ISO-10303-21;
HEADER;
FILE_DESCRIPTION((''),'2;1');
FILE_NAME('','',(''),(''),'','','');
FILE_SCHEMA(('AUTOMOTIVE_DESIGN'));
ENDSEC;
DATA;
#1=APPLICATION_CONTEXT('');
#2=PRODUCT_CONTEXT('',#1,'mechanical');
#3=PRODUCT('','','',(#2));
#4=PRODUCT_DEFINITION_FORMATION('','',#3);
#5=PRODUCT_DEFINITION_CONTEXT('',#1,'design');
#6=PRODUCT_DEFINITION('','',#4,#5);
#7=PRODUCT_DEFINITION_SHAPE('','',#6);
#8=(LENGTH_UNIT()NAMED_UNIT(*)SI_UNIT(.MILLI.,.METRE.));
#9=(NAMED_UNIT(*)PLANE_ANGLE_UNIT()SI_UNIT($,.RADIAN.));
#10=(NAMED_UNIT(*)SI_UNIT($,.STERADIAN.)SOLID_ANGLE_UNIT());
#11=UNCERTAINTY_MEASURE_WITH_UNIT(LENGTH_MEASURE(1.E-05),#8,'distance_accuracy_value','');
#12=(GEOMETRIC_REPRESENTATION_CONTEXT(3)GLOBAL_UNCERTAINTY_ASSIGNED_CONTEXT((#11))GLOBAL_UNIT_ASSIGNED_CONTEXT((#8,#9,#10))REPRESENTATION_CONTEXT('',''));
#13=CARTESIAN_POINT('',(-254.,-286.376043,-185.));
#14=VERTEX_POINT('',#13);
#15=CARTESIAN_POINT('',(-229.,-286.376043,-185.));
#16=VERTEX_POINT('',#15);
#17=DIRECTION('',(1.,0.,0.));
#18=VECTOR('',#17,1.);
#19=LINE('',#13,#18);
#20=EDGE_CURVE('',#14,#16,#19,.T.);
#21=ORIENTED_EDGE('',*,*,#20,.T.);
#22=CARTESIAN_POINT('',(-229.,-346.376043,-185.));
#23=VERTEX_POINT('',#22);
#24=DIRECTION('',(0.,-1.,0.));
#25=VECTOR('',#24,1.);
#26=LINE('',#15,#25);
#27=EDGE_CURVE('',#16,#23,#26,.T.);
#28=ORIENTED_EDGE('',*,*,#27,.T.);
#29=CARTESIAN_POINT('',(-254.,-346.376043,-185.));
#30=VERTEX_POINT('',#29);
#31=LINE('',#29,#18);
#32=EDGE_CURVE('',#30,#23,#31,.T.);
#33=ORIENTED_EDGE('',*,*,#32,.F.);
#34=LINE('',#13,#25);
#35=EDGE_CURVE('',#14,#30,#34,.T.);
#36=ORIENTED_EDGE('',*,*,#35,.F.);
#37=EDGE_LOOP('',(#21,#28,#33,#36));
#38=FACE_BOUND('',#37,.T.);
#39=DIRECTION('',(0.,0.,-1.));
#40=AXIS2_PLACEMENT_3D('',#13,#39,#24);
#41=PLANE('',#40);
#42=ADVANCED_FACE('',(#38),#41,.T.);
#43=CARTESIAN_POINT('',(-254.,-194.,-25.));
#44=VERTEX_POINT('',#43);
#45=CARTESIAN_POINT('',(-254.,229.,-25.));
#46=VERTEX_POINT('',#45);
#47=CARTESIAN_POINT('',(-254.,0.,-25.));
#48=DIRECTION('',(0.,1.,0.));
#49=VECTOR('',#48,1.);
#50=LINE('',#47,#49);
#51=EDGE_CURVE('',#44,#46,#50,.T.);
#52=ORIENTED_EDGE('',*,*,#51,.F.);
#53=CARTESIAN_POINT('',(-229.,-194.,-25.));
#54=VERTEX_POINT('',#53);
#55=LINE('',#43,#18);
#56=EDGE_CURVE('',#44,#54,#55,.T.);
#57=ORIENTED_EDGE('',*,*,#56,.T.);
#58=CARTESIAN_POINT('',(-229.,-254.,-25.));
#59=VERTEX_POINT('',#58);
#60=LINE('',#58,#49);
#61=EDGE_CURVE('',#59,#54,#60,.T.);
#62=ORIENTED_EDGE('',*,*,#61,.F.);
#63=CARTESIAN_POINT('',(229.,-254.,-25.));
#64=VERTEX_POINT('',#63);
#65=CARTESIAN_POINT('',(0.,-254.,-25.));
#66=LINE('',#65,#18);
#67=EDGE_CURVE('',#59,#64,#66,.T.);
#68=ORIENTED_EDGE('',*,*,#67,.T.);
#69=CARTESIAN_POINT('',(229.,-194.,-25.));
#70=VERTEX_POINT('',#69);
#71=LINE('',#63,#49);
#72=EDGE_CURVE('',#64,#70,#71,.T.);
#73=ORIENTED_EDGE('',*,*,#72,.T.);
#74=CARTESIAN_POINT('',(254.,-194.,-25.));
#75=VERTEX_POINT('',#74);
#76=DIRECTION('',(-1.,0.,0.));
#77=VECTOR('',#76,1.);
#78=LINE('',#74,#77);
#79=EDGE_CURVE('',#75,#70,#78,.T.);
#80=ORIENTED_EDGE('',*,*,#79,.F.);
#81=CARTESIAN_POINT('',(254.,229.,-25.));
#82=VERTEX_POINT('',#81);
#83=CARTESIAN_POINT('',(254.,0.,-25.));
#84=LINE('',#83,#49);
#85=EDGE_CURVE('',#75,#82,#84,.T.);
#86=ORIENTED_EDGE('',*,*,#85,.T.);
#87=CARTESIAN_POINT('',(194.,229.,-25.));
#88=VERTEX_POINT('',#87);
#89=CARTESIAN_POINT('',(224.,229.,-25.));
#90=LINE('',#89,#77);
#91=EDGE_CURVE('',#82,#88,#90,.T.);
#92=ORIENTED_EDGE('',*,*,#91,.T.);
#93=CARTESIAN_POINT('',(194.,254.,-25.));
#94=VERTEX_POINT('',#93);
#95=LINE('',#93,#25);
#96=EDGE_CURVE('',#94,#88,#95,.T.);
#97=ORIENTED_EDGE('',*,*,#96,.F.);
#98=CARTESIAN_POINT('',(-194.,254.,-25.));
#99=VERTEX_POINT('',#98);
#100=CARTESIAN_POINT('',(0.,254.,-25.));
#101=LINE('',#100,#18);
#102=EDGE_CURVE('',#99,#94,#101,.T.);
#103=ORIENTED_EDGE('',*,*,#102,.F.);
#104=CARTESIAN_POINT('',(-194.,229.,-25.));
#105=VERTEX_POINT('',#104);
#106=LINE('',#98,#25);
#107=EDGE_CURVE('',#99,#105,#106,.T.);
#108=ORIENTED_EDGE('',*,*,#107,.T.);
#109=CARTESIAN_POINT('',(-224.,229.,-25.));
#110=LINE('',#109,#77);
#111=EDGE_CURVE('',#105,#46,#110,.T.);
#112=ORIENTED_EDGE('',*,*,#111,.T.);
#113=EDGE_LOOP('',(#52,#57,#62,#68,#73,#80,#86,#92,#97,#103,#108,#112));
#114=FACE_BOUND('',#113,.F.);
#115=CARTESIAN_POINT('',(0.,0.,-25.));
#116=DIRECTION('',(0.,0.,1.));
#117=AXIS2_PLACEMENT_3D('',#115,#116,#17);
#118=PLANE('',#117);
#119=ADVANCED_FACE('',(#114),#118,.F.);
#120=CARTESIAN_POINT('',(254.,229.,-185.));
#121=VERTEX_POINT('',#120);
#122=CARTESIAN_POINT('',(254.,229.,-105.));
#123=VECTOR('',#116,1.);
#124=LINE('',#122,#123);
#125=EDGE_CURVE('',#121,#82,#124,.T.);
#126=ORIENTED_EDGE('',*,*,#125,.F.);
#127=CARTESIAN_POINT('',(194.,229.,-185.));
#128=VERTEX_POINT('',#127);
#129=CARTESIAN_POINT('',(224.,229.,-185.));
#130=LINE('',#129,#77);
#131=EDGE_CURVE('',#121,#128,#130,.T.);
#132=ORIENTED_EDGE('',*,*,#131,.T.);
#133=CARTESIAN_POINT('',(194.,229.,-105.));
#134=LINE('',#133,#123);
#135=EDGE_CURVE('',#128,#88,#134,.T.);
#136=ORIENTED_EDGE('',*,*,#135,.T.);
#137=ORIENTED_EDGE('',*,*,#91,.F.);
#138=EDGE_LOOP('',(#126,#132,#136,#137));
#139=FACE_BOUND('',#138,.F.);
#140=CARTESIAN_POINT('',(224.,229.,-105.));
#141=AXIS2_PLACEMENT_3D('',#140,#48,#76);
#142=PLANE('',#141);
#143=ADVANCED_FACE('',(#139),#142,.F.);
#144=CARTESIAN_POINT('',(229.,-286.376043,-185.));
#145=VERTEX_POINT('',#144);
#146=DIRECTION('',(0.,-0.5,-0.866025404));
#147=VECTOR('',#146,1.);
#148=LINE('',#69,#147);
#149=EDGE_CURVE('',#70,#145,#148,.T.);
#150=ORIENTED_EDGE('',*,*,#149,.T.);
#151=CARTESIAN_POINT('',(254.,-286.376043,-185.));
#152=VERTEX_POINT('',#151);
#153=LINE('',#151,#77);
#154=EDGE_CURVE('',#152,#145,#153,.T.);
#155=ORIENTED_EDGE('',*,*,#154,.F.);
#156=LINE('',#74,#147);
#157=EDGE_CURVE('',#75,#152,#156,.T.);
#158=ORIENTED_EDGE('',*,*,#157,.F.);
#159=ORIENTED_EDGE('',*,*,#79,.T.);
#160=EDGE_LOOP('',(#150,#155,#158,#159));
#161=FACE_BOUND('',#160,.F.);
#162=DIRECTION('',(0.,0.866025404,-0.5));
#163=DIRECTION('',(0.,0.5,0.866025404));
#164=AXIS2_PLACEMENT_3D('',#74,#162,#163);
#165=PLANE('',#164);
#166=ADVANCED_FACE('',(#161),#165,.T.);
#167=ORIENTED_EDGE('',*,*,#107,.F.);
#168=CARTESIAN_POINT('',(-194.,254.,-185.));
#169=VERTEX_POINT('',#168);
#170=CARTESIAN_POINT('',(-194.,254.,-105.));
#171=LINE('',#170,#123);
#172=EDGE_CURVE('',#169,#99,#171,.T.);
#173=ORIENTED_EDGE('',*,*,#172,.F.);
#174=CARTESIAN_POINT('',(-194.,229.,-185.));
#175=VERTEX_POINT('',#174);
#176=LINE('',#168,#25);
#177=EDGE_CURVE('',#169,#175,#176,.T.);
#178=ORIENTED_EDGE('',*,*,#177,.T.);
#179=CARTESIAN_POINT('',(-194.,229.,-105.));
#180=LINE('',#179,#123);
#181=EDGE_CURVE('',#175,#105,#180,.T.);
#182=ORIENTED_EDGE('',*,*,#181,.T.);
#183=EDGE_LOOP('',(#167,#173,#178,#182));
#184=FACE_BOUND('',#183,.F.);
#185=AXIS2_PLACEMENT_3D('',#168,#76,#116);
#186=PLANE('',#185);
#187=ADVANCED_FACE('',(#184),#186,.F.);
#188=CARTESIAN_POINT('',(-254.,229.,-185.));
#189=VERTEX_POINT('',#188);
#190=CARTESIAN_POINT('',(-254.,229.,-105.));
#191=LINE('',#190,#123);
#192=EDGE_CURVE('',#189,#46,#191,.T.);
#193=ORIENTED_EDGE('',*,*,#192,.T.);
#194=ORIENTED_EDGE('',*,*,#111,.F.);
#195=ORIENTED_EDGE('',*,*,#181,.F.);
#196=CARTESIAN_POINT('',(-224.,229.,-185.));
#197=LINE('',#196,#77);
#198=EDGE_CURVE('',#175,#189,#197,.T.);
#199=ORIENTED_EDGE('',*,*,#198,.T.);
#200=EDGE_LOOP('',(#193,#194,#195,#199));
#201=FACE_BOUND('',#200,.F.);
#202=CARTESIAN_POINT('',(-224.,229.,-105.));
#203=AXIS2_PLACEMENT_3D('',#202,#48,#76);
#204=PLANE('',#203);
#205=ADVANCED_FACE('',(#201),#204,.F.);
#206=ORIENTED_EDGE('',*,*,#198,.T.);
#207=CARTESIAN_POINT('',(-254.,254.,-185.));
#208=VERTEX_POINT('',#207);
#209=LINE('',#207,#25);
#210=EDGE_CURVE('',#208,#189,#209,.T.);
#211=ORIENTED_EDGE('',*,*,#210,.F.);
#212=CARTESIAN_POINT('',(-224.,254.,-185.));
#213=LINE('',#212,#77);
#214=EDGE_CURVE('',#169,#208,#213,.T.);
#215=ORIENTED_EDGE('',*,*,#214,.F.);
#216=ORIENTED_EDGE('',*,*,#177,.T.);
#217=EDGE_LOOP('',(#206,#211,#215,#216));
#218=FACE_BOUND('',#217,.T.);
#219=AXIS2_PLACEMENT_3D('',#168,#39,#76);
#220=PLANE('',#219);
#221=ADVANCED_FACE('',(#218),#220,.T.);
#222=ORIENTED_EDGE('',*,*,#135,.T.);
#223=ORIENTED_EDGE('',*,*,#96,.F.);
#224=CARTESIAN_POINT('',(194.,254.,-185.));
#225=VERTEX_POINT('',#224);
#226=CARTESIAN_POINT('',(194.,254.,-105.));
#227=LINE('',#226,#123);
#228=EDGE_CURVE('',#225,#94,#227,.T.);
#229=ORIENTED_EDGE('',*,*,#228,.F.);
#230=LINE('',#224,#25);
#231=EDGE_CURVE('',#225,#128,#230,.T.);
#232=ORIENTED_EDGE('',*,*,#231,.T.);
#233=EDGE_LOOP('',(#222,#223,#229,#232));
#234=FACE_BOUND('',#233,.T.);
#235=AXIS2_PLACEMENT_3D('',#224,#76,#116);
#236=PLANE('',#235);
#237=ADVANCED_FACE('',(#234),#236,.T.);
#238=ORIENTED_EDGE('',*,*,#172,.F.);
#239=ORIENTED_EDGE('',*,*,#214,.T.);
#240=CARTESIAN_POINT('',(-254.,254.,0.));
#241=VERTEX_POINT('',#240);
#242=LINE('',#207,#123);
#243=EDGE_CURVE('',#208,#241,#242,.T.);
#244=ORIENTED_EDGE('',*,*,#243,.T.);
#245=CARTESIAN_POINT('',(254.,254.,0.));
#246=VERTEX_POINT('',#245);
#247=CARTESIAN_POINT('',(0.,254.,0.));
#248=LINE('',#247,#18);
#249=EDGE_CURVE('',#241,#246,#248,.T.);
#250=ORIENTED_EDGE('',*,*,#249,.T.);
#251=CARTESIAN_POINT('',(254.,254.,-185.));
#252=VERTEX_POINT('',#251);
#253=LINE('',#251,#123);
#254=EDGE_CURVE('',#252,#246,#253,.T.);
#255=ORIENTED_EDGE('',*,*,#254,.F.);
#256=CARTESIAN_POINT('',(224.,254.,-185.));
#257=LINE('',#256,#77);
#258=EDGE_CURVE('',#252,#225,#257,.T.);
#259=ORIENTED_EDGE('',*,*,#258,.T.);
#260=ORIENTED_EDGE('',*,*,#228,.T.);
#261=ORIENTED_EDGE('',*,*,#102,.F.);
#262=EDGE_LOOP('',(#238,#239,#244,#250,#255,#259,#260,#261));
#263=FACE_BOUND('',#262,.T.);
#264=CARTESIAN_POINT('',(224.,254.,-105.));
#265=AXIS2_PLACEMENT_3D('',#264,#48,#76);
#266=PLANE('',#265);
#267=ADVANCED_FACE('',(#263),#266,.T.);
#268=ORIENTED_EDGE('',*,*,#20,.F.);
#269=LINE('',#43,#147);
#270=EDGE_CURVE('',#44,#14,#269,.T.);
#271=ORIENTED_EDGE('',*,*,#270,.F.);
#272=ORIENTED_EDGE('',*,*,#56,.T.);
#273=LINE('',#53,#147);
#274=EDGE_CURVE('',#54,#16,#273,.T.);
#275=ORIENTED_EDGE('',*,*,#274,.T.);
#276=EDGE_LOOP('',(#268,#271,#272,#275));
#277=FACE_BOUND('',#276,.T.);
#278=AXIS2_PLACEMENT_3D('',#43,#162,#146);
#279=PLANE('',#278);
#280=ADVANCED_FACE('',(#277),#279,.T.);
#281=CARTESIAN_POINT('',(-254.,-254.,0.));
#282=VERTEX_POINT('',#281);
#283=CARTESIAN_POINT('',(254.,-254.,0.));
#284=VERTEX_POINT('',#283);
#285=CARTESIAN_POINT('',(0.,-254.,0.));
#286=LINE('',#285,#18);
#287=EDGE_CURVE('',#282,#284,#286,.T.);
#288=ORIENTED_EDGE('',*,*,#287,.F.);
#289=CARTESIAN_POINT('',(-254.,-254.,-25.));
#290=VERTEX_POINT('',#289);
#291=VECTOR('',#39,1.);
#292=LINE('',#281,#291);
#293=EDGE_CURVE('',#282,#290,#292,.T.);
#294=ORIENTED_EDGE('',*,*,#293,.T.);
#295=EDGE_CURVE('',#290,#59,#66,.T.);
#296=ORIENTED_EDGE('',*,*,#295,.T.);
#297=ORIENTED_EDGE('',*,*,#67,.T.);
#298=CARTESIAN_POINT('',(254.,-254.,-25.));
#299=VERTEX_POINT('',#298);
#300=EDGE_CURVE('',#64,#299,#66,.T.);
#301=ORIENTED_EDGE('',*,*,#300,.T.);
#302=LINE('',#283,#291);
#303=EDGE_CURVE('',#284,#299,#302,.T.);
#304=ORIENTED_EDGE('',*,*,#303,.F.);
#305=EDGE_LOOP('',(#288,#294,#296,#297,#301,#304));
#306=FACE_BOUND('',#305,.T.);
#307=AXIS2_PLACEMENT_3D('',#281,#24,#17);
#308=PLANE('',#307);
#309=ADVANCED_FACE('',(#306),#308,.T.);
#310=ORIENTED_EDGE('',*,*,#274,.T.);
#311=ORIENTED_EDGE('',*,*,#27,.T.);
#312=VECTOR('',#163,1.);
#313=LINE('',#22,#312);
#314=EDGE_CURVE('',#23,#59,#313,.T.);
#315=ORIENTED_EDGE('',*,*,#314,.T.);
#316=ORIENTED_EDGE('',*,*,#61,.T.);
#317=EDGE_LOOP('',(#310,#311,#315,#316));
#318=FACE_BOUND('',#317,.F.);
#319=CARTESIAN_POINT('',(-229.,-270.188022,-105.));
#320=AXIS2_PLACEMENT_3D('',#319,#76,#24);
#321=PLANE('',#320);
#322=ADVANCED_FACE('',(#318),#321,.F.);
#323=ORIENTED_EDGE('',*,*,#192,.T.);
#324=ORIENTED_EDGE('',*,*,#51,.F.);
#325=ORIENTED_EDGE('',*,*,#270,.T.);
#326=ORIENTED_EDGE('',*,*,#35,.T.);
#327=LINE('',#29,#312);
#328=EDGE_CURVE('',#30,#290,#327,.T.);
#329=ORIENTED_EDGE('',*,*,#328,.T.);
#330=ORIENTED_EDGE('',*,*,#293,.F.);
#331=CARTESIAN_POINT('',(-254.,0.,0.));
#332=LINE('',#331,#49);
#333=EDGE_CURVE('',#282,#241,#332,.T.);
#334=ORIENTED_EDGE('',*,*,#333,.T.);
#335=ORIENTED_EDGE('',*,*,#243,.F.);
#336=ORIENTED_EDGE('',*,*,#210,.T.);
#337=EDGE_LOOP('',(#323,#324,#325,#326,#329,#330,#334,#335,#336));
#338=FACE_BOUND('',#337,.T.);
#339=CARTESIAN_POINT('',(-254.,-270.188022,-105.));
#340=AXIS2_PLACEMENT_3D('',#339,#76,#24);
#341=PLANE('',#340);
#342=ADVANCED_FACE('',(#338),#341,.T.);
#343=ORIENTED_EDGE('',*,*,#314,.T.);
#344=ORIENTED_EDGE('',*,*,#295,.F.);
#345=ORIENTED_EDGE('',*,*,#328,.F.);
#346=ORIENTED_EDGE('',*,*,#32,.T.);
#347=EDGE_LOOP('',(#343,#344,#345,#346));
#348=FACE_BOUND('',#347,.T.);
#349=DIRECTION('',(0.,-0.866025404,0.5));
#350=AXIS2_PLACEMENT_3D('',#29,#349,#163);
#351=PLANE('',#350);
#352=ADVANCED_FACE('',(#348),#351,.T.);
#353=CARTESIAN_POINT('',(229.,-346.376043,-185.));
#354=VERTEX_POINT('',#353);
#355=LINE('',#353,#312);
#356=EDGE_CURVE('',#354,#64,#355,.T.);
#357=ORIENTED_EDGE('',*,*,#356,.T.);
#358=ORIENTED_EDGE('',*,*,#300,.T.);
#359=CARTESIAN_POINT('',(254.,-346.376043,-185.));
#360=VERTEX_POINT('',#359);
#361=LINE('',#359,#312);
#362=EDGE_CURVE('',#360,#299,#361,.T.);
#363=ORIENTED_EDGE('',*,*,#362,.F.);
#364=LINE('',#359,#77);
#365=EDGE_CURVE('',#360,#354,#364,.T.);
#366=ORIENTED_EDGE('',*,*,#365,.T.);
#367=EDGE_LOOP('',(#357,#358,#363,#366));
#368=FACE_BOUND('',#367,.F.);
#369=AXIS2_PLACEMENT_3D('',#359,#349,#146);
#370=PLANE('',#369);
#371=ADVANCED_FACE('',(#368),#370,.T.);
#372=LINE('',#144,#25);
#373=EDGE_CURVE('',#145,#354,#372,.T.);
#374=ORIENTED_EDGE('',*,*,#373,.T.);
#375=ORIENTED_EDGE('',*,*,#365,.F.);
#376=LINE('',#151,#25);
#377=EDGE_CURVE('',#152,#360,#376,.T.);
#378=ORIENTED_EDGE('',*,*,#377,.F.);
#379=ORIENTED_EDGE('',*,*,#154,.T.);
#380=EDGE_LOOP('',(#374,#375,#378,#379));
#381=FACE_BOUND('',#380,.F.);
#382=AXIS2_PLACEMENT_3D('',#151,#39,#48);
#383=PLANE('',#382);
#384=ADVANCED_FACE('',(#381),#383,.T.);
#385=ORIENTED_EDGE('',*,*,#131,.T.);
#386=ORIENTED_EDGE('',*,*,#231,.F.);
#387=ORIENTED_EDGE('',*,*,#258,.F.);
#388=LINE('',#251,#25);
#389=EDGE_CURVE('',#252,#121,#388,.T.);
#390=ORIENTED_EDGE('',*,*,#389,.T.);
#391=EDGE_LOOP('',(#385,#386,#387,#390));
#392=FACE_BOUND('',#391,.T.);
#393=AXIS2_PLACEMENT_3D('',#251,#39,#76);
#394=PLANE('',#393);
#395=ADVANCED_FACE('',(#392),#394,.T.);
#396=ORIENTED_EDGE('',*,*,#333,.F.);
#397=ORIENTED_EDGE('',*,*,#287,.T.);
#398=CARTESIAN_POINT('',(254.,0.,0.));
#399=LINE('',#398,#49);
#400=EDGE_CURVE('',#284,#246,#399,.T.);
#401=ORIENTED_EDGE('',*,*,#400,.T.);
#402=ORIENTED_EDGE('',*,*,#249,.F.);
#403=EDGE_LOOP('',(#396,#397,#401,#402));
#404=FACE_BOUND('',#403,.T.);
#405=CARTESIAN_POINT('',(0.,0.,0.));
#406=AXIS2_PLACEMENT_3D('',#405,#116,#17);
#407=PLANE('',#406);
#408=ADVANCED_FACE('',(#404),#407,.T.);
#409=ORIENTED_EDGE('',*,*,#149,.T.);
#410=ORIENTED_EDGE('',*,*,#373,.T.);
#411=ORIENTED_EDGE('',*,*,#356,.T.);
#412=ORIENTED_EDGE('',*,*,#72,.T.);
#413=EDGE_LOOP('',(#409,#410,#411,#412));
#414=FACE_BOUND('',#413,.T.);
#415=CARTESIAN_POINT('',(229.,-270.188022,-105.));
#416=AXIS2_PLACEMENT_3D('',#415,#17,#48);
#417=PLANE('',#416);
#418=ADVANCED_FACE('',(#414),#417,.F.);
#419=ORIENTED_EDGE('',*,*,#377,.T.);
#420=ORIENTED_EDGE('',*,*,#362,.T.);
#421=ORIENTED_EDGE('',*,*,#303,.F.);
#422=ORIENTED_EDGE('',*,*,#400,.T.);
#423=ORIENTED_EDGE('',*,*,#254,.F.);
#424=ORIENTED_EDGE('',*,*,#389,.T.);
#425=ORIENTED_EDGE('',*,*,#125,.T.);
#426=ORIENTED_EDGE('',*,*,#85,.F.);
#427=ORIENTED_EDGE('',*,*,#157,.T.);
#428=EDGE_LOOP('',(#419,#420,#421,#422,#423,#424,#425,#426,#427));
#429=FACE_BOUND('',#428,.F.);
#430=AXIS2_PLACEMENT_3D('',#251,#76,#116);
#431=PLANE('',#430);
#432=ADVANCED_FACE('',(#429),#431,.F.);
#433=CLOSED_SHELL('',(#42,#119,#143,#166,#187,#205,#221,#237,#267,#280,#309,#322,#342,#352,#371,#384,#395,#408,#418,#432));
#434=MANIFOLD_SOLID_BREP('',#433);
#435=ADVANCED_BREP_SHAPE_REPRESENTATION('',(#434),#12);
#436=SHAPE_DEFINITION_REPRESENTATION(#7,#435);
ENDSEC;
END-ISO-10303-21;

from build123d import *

# Parameters (mm, degrees)
F0_W     = 508
F0_H     = 508
F1_DEPTH = 25
F3_DEPTH = 25
F5_W     = 60
F5_H     = 160
F6_DEPTH = 25


with BuildPart() as f1:
    # F0 (on Top) → F1 (new body)
    with BuildSketch(Plane.XY):
        Rectangle(F0_W, F0_H)
    extrude(amount=-F1_DEPTH)

    # F2 (on face) → F3 (join)
    with BuildSketch(Plane(origin=(-254, 0, 0), x_dir=(0, -1, 0), z_dir=(-1, 0, 0))):
        Polygon((254, -25), (194, -25), (286.3760430703, -185), (346.3760430703, -185), align=None)
    extrude(amount=-F3_DEPTH)

    # F4: F1 across plane


with BuildPart() as f1_1:
    add(f1.part)
    add(f1.part.mirror(Plane.YZ))

    # F5 (on face) → F6 (join)
    with BuildSketch(Plane(origin=(0, 254, 0), x_dir=(-1, 0, 0), z_dir=(0, 1, 0))):
        with Locations((-224, -105)):
            Rectangle(F5_W, F5_H)
        with Locations((224, -105)):
            Rectangle(F5_W, F5_H)
    extrude(amount=-F6_DEPTH)


solid = f1_1.part
